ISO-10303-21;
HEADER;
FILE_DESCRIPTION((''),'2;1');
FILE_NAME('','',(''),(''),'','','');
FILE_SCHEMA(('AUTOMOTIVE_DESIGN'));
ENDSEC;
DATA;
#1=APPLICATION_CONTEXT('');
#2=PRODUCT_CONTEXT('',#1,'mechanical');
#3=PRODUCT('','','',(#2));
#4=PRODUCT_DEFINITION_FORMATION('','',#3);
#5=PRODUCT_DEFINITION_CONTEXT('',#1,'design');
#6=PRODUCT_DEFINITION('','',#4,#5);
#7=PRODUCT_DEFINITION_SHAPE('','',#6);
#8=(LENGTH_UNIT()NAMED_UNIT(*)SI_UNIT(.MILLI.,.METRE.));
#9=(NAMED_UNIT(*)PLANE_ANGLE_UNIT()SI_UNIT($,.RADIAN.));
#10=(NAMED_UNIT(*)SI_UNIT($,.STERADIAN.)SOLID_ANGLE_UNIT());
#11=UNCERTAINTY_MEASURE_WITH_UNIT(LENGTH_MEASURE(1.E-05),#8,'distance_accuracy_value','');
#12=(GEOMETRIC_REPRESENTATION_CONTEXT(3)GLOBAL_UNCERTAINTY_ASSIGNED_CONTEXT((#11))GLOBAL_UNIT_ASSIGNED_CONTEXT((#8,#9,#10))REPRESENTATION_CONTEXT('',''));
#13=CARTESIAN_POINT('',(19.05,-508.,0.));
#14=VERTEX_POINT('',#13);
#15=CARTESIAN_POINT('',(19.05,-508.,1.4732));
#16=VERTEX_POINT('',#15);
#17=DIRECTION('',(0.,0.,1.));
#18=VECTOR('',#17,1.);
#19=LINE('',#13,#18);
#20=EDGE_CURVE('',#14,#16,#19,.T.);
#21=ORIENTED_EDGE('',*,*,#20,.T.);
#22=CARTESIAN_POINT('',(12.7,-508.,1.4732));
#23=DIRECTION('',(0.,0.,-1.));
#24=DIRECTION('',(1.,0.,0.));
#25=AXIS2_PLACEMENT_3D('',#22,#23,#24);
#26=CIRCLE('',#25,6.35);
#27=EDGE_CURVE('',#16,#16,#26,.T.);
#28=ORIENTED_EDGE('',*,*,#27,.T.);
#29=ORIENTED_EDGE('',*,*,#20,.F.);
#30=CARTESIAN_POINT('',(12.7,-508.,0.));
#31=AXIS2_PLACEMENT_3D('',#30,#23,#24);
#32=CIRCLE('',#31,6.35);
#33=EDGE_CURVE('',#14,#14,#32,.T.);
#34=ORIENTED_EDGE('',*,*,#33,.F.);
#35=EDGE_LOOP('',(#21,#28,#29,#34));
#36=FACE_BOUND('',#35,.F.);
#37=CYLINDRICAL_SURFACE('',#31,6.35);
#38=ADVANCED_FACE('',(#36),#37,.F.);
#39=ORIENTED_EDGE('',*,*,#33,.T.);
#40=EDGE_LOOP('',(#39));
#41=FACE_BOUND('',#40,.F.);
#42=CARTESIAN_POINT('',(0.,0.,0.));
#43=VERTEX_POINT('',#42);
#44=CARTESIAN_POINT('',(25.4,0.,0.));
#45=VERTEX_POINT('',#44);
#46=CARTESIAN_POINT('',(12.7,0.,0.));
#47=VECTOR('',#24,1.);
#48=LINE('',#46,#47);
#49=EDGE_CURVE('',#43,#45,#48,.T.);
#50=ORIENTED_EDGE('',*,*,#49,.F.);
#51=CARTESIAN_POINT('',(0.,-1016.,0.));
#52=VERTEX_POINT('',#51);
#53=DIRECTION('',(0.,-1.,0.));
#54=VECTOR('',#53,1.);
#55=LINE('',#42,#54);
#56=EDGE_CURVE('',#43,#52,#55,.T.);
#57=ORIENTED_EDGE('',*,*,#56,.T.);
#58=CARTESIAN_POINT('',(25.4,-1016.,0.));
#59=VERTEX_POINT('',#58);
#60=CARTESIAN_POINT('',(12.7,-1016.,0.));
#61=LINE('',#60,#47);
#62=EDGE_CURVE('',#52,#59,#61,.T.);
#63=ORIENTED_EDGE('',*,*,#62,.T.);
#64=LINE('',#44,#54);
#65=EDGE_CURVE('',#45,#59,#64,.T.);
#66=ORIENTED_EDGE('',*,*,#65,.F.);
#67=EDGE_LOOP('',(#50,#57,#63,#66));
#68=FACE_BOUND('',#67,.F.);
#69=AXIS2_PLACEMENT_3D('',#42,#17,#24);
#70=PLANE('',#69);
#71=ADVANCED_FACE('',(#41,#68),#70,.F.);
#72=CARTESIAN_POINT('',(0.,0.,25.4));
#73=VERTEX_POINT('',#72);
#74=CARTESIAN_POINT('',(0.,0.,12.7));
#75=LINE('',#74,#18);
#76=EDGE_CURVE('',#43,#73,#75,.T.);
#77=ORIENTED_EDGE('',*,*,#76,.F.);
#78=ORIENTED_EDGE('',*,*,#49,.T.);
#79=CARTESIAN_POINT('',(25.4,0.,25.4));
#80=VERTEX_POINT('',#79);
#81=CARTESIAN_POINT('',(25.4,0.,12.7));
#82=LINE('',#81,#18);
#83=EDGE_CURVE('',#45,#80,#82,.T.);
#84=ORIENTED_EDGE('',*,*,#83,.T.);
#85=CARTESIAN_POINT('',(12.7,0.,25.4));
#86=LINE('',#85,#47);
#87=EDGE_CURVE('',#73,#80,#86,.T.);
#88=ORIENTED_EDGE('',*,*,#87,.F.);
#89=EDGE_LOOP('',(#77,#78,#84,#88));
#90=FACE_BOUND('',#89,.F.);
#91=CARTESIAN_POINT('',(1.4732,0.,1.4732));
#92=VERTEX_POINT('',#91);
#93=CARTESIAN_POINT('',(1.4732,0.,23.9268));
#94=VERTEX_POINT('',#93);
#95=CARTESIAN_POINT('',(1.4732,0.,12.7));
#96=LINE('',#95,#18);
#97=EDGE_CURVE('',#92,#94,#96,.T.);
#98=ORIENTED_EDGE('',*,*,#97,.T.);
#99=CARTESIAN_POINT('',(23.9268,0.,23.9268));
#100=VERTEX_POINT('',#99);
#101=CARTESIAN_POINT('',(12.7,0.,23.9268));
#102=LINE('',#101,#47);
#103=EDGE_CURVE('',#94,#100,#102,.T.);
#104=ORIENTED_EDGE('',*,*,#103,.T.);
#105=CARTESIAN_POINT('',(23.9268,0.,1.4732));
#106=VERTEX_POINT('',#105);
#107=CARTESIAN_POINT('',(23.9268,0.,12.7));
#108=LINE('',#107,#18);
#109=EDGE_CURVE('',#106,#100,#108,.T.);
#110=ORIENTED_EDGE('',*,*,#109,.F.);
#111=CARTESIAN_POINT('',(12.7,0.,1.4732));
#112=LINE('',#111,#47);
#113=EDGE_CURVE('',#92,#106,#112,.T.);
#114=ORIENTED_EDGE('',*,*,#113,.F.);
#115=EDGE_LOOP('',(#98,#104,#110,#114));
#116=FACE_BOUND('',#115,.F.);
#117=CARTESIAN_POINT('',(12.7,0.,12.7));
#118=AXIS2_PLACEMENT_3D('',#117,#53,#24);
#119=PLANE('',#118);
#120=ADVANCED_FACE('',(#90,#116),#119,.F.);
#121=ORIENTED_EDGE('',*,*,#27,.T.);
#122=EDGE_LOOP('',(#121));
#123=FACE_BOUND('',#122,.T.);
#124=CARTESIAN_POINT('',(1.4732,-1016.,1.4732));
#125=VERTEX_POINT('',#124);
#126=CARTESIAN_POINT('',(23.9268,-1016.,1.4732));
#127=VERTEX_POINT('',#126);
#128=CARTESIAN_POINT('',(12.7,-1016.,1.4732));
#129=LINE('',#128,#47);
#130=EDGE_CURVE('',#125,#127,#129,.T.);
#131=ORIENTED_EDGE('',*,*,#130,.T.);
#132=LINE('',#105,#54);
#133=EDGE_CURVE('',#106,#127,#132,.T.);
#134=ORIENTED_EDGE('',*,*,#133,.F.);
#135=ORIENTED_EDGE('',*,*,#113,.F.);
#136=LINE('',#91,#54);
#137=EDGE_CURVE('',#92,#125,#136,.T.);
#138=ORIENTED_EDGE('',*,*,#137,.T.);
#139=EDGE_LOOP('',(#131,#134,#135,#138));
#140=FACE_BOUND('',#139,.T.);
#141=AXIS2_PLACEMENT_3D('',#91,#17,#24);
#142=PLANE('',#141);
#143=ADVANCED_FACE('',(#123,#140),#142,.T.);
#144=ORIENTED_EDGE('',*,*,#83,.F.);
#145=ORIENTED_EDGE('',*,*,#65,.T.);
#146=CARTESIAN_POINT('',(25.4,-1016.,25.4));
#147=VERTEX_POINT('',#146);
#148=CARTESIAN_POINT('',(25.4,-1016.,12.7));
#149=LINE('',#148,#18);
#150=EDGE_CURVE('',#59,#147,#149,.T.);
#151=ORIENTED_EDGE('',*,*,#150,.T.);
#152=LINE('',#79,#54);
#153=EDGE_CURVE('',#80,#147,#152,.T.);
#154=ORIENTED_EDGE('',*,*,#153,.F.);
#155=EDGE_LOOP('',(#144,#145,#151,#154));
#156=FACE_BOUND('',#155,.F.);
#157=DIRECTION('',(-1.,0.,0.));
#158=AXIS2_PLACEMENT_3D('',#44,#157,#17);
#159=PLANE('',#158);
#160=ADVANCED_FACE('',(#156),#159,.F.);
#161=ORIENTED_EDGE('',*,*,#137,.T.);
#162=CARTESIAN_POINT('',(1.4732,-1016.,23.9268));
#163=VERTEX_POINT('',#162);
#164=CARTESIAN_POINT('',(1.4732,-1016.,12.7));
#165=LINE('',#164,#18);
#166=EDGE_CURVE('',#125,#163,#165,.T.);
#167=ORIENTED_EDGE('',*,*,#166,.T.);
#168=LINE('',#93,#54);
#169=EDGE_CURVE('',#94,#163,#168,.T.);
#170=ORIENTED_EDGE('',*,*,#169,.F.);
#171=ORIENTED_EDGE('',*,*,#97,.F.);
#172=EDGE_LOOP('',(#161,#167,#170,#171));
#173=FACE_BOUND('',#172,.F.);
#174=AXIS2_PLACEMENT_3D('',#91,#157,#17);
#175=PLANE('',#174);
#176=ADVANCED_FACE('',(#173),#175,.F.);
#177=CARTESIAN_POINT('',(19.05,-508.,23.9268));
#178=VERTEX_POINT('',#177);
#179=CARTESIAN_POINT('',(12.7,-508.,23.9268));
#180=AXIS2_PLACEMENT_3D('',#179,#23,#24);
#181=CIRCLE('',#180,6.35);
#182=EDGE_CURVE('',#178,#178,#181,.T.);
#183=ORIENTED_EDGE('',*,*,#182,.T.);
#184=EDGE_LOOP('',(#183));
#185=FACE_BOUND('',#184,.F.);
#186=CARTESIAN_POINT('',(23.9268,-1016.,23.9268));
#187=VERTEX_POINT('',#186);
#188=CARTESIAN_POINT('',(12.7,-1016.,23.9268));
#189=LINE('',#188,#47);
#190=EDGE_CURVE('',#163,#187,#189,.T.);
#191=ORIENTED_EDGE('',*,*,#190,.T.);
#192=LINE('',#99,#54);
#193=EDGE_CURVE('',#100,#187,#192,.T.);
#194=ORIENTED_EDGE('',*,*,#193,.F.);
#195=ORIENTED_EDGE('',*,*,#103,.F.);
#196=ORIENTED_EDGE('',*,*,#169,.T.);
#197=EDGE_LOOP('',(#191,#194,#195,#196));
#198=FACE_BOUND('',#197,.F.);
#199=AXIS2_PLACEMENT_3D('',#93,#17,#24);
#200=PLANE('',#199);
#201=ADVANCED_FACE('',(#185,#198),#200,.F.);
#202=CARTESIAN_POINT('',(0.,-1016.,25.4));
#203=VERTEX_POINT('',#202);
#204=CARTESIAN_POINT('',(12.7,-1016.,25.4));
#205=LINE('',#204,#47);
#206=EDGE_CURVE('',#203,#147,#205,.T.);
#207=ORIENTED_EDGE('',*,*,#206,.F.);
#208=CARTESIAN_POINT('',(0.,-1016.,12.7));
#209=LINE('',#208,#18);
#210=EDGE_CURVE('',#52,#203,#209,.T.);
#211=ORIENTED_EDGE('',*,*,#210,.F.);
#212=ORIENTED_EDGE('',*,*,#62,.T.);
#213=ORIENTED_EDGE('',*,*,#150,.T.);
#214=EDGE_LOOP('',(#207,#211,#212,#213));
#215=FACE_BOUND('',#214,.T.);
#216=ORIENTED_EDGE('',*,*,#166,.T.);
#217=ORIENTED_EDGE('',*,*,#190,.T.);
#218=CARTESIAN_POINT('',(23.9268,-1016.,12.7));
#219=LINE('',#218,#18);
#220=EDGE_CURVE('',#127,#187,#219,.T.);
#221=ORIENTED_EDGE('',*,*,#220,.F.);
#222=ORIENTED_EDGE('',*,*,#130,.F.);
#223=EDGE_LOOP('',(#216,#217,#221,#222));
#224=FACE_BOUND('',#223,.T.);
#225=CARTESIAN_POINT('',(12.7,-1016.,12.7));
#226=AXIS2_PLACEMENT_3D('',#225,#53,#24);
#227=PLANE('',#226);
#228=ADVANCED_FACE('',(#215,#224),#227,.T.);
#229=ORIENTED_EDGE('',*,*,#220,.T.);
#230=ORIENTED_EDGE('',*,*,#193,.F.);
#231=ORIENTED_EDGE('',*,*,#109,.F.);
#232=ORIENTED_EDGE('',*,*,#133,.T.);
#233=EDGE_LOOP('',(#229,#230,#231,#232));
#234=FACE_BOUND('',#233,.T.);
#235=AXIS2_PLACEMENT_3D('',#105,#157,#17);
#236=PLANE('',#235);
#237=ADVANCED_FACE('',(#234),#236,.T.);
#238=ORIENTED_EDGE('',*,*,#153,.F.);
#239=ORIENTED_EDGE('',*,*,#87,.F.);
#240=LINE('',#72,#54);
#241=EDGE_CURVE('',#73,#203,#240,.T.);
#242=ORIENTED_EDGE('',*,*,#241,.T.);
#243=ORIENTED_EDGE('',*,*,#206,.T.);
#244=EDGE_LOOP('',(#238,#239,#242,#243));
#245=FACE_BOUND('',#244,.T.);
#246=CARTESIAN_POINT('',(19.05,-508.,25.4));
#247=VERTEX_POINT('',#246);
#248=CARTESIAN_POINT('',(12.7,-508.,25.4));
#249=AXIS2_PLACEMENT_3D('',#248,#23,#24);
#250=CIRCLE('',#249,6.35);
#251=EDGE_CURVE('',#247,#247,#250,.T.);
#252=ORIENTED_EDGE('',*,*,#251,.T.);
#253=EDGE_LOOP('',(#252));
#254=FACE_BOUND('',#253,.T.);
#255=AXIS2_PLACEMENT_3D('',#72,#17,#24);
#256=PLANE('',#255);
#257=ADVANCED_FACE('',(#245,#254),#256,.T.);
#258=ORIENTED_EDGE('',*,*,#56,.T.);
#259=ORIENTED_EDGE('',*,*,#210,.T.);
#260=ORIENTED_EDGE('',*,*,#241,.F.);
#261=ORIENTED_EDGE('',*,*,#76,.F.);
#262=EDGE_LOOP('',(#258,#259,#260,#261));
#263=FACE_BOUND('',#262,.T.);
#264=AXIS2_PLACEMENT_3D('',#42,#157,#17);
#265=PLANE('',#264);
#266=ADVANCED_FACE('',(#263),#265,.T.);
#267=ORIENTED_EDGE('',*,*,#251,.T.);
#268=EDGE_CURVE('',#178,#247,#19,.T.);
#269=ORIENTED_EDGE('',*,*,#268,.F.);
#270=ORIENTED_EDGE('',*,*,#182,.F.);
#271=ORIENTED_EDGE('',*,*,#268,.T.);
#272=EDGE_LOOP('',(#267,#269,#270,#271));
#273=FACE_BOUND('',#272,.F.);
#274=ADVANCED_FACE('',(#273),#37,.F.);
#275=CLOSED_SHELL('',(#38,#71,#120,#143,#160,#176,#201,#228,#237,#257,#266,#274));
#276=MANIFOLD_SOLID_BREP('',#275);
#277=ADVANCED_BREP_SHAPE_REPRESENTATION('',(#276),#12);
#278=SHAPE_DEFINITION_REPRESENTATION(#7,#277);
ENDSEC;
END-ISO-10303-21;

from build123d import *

# Parameters (mm, degrees)
F0_W     = 25.4
F0_H     = 25.4
F0_W_2   = 22.4536
F0_H_2   = 22.4536
F1_DEPTH = 1016
F2_R     = 6.35
F3_DEPTH = 25.401


with BuildPart() as f1:
    # F0 (on Front) → F1 (new body)
    with BuildSketch(Plane.XZ):
        with Locations((12.7, 12.7)):
            Rectangle(F0_W, F0_H)
        with Locations((12.7, 12.7)):
            Rectangle(F0_W_2, F0_H_2, mode=Mode.SUBTRACT)
    extrude(amount=F1_DEPTH)

    # F2 (on face) → F3 (cut, through all)
    with BuildSketch(Plane(origin=(0, 0, 0), x_dir=(1, 0, 0), z_dir=(0, 0, -1))):
        with Locations((12.7, 508)):
            Circle(F2_R)
    extrude(amount=-F3_DEPTH, mode=Mode.SUBTRACT)


solid = f1.part
